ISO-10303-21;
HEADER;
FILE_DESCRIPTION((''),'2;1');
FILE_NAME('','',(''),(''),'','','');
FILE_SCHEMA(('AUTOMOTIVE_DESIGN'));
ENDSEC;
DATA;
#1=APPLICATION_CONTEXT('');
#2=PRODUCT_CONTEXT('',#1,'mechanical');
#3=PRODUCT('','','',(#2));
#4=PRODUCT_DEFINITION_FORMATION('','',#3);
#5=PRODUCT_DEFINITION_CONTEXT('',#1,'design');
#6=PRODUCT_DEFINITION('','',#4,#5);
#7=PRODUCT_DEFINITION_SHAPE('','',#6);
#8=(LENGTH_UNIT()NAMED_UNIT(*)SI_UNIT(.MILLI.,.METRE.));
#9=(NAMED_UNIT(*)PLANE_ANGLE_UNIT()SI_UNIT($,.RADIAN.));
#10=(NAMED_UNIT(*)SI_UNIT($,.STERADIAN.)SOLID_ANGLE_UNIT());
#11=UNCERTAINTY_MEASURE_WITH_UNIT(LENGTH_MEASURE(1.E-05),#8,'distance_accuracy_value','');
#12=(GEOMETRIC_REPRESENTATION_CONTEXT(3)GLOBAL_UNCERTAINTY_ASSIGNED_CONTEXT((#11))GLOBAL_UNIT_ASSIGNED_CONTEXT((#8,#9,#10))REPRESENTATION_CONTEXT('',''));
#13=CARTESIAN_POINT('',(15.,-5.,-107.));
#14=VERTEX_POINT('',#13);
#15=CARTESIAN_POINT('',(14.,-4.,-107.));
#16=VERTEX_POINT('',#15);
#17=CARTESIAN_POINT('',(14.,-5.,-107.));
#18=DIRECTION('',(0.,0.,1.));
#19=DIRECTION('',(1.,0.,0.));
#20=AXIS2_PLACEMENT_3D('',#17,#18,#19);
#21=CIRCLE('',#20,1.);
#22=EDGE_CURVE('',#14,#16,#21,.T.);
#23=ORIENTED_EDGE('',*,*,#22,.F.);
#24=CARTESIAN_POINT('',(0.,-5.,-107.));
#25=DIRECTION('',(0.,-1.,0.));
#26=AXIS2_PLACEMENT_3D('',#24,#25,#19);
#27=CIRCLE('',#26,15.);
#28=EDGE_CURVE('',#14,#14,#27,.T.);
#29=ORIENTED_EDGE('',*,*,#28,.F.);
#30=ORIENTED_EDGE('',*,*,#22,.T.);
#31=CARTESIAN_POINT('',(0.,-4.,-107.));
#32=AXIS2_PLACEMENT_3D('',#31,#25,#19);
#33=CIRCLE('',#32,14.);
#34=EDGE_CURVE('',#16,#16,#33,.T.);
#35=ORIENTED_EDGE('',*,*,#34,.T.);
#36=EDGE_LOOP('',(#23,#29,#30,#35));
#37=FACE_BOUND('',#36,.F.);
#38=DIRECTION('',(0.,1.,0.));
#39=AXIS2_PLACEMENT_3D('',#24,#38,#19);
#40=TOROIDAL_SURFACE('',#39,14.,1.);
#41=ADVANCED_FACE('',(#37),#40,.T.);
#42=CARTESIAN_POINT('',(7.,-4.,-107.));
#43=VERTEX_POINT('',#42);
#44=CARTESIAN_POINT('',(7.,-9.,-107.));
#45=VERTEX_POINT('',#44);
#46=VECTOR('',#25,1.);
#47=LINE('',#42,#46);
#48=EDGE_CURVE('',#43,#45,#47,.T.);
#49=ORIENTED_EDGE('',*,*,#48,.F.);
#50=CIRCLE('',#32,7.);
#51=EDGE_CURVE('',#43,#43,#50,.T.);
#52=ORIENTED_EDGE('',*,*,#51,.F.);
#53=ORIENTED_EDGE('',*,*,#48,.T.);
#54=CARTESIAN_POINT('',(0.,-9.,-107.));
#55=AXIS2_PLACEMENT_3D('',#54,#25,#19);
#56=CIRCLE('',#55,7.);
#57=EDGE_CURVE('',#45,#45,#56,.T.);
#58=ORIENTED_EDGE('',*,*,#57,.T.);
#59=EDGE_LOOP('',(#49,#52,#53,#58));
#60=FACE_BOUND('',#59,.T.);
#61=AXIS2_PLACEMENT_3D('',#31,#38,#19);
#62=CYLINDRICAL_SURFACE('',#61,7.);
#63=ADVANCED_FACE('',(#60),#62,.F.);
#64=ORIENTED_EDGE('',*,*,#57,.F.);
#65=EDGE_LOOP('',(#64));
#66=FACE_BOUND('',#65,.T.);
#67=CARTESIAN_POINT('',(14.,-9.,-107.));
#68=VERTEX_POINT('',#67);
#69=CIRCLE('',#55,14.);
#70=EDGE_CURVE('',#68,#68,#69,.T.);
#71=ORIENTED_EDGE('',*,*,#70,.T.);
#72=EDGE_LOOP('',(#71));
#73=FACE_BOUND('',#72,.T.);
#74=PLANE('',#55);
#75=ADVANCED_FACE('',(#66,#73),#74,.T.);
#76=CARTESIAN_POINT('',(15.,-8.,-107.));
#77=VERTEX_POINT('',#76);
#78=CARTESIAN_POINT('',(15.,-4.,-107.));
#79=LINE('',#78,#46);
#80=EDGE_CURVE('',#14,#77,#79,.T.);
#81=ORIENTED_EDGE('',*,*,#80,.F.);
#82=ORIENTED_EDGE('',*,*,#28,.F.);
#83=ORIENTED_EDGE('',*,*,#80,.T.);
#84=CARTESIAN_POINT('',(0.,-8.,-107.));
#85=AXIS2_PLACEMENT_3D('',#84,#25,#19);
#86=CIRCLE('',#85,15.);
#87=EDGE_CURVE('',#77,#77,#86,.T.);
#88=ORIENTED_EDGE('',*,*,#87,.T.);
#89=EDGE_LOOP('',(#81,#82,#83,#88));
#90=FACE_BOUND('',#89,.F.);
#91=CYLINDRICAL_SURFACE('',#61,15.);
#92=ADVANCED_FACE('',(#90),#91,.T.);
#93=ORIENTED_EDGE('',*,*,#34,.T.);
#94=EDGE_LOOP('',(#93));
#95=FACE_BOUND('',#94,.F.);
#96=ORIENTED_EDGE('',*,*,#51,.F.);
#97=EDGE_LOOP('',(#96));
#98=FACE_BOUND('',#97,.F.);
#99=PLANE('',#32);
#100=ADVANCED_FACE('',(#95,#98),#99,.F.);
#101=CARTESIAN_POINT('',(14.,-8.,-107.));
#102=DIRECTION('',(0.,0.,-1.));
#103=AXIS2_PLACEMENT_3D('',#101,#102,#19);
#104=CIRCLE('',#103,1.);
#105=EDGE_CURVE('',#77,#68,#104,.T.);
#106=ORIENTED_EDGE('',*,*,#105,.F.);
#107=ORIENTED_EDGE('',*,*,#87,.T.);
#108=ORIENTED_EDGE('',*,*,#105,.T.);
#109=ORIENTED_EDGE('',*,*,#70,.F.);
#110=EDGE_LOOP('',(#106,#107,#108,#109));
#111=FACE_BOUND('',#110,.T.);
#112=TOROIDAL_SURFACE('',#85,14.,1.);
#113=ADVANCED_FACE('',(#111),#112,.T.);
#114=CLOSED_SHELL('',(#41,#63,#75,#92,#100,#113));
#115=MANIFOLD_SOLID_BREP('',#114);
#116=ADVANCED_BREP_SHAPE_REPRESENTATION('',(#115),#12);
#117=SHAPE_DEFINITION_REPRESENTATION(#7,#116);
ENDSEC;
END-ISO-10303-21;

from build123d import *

# Parameters (mm, degrees)
CYLINDER066_R     = 7
CYLINDER066_DEPTH = 5
CYLINDER067_R     = 15
CYLINDER067_DEPTH = 5
FILLET006_R       = 1
FILLET007_R       = 1


with BuildPart() as cylindre062:
    # Cylinder066 → Cylinder066 (new body)
    with BuildSketch(Plane(origin=(0, -4, -107), x_dir=(1, 0, 0), z_dir=(0, -1, 0))):
        Circle(CYLINDER066_R)
    extrude(amount=CYLINDER066_DEPTH)


with BuildPart() as fillet007:
    # Cylinder067 → Cylinder067 (new body)
    with BuildSketch(Plane(origin=(0, -4, -107), x_dir=(1, 0, 0), z_dir=(0, -1, 0))):
        Circle(CYLINDER067_R)
    extrude(amount=CYLINDER067_DEPTH)

    # Cut040: cut Cylindre062
    add(cylindre062.part, mode=Mode.SUBTRACT)

    # Fillet006
    fillet006_edges = [fillet007.edges().sort_by_distance(p)[0] for p in [
        (-15, -4, -107),
    ]]
    fillet(fillet006_edges, radius=FILLET006_R)

    # Fillet007
    fillet007_edges = [fillet007.edges().sort_by_distance(p)[0] for p in [
        (-15, -9, -107),
    ]]
    fillet(fillet007_edges, radius=FILLET007_R)


solid = fillet007.part
